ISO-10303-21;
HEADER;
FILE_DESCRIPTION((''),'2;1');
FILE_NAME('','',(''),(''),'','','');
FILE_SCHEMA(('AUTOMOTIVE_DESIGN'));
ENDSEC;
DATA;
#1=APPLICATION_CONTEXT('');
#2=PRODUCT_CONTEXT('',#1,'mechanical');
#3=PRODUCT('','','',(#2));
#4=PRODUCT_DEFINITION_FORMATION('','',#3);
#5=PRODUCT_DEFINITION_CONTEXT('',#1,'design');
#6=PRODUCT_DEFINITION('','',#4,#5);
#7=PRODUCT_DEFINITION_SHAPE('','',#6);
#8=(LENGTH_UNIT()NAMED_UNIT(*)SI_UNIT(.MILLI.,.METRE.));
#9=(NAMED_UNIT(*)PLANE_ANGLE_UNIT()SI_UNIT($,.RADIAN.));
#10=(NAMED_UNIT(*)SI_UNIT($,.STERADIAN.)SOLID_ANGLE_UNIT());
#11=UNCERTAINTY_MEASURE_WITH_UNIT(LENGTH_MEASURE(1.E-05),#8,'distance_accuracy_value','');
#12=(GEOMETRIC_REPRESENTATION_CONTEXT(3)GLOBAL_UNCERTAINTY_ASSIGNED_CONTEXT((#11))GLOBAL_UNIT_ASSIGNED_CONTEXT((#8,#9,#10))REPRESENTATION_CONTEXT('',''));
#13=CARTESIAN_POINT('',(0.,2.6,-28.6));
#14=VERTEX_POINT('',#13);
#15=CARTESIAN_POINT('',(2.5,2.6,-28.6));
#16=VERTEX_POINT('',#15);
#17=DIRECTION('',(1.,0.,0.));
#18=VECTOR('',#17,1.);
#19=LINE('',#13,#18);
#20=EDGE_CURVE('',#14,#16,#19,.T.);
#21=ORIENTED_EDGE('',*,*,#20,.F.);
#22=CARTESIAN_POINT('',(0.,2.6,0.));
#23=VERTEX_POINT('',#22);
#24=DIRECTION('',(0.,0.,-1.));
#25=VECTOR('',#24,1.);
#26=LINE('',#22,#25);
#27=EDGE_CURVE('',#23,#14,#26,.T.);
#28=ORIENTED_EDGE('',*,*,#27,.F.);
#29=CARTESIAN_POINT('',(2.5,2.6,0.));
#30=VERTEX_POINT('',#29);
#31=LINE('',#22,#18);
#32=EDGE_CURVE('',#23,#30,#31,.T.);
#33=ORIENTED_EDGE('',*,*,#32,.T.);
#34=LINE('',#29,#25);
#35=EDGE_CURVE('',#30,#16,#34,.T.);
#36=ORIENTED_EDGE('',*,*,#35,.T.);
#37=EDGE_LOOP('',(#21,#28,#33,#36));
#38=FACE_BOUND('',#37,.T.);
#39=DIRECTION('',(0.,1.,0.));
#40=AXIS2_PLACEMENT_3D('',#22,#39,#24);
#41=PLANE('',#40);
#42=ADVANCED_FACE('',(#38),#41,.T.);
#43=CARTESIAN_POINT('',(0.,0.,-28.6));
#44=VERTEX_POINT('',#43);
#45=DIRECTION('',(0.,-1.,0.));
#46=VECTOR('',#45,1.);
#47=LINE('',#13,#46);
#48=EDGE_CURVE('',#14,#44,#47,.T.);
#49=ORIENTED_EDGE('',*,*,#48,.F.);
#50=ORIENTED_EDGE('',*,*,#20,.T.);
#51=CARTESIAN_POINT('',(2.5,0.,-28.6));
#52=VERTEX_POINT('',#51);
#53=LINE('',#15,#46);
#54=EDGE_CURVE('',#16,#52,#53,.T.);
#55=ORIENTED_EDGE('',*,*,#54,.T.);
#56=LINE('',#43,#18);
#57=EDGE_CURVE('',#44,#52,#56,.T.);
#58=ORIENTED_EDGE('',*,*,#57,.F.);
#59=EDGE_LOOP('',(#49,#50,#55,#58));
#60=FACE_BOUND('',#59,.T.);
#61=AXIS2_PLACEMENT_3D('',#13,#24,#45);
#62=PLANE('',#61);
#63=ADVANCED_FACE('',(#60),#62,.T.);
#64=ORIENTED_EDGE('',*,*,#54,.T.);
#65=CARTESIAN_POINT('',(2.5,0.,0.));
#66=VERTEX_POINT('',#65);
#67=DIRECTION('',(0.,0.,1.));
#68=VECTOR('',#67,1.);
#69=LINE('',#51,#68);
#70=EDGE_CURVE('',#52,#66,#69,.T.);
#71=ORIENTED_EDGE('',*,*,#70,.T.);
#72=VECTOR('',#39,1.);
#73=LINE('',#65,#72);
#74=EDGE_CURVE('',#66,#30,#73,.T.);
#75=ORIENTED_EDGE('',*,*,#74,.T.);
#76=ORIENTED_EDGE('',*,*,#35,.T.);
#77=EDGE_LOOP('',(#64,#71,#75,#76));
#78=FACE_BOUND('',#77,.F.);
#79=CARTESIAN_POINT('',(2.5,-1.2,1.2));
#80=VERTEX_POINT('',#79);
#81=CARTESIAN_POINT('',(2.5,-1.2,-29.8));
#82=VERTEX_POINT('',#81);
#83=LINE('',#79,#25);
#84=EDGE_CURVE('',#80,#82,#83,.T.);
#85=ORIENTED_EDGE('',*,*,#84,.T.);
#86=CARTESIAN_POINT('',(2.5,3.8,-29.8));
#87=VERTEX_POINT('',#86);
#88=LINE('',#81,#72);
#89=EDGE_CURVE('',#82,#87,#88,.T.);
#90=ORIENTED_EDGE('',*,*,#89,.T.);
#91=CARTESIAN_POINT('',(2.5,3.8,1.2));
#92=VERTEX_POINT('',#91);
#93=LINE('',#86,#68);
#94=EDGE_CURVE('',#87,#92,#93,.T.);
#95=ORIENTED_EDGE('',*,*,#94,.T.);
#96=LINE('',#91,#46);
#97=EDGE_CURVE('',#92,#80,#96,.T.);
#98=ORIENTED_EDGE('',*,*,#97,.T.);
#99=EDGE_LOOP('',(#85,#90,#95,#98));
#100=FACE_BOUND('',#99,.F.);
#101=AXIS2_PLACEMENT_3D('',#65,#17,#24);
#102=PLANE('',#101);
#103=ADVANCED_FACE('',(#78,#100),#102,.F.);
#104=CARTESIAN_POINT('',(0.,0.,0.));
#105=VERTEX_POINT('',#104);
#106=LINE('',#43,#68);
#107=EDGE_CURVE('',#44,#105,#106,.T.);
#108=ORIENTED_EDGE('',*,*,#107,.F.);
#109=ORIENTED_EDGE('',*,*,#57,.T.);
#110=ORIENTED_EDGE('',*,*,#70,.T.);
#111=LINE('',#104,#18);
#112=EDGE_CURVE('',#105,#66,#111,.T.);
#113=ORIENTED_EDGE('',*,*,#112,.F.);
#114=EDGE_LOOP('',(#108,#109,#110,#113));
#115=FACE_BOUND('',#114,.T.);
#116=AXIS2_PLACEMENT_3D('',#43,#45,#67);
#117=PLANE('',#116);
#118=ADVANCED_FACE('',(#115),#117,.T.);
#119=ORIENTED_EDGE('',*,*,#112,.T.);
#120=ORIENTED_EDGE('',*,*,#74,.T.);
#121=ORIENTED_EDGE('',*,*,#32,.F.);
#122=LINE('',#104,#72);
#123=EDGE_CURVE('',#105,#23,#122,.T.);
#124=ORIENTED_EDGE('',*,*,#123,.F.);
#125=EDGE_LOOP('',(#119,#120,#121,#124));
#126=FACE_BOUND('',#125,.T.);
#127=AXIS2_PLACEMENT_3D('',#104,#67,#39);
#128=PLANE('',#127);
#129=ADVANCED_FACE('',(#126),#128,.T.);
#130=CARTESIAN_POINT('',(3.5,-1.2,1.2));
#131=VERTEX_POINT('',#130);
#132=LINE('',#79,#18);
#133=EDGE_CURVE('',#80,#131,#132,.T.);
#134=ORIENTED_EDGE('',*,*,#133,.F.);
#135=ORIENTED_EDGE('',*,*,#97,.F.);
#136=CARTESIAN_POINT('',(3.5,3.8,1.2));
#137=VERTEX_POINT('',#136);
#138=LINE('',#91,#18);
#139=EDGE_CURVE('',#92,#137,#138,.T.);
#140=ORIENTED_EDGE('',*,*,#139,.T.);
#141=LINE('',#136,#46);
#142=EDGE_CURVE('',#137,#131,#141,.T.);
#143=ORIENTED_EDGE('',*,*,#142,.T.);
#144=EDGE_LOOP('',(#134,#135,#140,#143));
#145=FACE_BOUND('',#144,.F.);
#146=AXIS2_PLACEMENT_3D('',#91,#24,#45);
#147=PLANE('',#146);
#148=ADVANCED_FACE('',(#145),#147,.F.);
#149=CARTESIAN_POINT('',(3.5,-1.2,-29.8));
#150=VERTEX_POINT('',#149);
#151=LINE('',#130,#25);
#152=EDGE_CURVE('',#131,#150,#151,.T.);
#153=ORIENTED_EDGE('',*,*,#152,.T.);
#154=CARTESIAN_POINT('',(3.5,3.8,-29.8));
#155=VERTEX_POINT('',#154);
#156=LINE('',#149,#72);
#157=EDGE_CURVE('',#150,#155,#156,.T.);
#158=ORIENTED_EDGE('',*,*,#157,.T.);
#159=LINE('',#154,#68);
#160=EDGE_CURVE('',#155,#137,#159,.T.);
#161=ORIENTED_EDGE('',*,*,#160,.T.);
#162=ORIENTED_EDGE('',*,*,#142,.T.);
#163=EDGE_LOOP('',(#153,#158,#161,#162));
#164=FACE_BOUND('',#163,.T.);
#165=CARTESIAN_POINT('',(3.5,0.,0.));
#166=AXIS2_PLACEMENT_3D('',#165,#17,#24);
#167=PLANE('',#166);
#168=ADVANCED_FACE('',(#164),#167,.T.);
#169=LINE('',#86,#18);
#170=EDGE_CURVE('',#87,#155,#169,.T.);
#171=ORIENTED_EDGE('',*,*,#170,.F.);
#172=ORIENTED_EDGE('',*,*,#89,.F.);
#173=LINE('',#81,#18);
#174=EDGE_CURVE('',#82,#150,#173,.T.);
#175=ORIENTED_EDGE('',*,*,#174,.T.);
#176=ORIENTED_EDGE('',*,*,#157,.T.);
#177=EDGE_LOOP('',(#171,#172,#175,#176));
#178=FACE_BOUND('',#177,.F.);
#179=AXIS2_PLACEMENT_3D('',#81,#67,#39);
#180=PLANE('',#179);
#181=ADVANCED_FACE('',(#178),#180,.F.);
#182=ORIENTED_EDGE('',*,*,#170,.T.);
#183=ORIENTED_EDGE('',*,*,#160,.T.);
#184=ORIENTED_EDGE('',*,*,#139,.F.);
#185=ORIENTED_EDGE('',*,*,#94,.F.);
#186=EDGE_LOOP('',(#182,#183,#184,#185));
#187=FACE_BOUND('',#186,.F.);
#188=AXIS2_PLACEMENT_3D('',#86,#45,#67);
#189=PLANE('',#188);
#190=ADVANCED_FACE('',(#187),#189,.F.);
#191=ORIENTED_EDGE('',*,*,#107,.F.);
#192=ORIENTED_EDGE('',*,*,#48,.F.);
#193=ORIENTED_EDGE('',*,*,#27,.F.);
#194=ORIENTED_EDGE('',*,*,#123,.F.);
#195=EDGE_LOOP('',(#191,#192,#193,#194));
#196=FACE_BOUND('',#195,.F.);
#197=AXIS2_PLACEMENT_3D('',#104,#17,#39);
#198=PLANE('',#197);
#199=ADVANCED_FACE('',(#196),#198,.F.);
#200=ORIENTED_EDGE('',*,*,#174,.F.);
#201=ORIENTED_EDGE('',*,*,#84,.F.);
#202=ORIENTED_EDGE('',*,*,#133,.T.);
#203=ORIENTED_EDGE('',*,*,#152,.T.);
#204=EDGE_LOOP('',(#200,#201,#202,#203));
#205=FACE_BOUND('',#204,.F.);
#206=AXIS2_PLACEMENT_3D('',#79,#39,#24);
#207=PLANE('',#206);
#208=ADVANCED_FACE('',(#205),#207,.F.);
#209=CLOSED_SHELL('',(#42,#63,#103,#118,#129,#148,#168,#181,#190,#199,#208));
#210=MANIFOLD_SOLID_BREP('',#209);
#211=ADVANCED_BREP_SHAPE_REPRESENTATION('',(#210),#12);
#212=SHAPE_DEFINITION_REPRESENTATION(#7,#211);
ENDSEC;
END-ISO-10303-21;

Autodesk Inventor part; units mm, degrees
ref_plane "YZ Plane" through (0, 0, 0) normal (1, 0, 0) x (0, 1, 0)
ref_plane "XZ Plane" through (0, 0, 0) normal (0, 1, 0) x (-1, 0, 0)
ref_plane "XY Plane" through (0, 0, 0) normal (0, 0, 1) x (1, 0, 0)
sketch "Náčrt1" plane through (0, 0, 0) normal (1, 0, 0) x (0, 1, 0)
  line L0 (0, 0) -> (2.6, 0)
  line L1 (2.6, 0) -> (2.6, -28.6)
  line L2 (2.6, -28.6) -> (0, -28.6)
  line L3 (0, -28.6) -> (0, 0)
  dimension "d0" = 2.6
  dimension "d1" = 28.6
extrude "Vysunutí1" add sketch "Náčrt1" along normal blind 2.5
sketch "Náčrt2" plane through (2.5, 0, 0) normal (1, 0, 0) x (0, 0, -1)
  line L0 (-1.2, -1.2) -> (29.8, -1.2)
  line L1 (29.8, -1.2) -> (29.8, 3.8)
  line L2 (29.8, 3.8) -> (-1.2, 3.8)
  line L3 (-1.2, 3.8) -> (-1.2, -1.2)
  line L4 (-1.2, -1.2) -> (29.8, 3.8) construction
  line L5 (29.8, -1.2) -> (-1.2, 3.8) construction
  line L6 (28.6, 2.6) -> (0, 2.6) projected
  point P0 (0, 0)
  point P1 (14.3, 1.3)
  dimension "d4" = 31
  dimension "d5" = 5
  dimension "d6" = 1.2
extrude "Vysunutí2" add sketch "Náčrt2" along normal blind 1
properties part number "CardCover"
